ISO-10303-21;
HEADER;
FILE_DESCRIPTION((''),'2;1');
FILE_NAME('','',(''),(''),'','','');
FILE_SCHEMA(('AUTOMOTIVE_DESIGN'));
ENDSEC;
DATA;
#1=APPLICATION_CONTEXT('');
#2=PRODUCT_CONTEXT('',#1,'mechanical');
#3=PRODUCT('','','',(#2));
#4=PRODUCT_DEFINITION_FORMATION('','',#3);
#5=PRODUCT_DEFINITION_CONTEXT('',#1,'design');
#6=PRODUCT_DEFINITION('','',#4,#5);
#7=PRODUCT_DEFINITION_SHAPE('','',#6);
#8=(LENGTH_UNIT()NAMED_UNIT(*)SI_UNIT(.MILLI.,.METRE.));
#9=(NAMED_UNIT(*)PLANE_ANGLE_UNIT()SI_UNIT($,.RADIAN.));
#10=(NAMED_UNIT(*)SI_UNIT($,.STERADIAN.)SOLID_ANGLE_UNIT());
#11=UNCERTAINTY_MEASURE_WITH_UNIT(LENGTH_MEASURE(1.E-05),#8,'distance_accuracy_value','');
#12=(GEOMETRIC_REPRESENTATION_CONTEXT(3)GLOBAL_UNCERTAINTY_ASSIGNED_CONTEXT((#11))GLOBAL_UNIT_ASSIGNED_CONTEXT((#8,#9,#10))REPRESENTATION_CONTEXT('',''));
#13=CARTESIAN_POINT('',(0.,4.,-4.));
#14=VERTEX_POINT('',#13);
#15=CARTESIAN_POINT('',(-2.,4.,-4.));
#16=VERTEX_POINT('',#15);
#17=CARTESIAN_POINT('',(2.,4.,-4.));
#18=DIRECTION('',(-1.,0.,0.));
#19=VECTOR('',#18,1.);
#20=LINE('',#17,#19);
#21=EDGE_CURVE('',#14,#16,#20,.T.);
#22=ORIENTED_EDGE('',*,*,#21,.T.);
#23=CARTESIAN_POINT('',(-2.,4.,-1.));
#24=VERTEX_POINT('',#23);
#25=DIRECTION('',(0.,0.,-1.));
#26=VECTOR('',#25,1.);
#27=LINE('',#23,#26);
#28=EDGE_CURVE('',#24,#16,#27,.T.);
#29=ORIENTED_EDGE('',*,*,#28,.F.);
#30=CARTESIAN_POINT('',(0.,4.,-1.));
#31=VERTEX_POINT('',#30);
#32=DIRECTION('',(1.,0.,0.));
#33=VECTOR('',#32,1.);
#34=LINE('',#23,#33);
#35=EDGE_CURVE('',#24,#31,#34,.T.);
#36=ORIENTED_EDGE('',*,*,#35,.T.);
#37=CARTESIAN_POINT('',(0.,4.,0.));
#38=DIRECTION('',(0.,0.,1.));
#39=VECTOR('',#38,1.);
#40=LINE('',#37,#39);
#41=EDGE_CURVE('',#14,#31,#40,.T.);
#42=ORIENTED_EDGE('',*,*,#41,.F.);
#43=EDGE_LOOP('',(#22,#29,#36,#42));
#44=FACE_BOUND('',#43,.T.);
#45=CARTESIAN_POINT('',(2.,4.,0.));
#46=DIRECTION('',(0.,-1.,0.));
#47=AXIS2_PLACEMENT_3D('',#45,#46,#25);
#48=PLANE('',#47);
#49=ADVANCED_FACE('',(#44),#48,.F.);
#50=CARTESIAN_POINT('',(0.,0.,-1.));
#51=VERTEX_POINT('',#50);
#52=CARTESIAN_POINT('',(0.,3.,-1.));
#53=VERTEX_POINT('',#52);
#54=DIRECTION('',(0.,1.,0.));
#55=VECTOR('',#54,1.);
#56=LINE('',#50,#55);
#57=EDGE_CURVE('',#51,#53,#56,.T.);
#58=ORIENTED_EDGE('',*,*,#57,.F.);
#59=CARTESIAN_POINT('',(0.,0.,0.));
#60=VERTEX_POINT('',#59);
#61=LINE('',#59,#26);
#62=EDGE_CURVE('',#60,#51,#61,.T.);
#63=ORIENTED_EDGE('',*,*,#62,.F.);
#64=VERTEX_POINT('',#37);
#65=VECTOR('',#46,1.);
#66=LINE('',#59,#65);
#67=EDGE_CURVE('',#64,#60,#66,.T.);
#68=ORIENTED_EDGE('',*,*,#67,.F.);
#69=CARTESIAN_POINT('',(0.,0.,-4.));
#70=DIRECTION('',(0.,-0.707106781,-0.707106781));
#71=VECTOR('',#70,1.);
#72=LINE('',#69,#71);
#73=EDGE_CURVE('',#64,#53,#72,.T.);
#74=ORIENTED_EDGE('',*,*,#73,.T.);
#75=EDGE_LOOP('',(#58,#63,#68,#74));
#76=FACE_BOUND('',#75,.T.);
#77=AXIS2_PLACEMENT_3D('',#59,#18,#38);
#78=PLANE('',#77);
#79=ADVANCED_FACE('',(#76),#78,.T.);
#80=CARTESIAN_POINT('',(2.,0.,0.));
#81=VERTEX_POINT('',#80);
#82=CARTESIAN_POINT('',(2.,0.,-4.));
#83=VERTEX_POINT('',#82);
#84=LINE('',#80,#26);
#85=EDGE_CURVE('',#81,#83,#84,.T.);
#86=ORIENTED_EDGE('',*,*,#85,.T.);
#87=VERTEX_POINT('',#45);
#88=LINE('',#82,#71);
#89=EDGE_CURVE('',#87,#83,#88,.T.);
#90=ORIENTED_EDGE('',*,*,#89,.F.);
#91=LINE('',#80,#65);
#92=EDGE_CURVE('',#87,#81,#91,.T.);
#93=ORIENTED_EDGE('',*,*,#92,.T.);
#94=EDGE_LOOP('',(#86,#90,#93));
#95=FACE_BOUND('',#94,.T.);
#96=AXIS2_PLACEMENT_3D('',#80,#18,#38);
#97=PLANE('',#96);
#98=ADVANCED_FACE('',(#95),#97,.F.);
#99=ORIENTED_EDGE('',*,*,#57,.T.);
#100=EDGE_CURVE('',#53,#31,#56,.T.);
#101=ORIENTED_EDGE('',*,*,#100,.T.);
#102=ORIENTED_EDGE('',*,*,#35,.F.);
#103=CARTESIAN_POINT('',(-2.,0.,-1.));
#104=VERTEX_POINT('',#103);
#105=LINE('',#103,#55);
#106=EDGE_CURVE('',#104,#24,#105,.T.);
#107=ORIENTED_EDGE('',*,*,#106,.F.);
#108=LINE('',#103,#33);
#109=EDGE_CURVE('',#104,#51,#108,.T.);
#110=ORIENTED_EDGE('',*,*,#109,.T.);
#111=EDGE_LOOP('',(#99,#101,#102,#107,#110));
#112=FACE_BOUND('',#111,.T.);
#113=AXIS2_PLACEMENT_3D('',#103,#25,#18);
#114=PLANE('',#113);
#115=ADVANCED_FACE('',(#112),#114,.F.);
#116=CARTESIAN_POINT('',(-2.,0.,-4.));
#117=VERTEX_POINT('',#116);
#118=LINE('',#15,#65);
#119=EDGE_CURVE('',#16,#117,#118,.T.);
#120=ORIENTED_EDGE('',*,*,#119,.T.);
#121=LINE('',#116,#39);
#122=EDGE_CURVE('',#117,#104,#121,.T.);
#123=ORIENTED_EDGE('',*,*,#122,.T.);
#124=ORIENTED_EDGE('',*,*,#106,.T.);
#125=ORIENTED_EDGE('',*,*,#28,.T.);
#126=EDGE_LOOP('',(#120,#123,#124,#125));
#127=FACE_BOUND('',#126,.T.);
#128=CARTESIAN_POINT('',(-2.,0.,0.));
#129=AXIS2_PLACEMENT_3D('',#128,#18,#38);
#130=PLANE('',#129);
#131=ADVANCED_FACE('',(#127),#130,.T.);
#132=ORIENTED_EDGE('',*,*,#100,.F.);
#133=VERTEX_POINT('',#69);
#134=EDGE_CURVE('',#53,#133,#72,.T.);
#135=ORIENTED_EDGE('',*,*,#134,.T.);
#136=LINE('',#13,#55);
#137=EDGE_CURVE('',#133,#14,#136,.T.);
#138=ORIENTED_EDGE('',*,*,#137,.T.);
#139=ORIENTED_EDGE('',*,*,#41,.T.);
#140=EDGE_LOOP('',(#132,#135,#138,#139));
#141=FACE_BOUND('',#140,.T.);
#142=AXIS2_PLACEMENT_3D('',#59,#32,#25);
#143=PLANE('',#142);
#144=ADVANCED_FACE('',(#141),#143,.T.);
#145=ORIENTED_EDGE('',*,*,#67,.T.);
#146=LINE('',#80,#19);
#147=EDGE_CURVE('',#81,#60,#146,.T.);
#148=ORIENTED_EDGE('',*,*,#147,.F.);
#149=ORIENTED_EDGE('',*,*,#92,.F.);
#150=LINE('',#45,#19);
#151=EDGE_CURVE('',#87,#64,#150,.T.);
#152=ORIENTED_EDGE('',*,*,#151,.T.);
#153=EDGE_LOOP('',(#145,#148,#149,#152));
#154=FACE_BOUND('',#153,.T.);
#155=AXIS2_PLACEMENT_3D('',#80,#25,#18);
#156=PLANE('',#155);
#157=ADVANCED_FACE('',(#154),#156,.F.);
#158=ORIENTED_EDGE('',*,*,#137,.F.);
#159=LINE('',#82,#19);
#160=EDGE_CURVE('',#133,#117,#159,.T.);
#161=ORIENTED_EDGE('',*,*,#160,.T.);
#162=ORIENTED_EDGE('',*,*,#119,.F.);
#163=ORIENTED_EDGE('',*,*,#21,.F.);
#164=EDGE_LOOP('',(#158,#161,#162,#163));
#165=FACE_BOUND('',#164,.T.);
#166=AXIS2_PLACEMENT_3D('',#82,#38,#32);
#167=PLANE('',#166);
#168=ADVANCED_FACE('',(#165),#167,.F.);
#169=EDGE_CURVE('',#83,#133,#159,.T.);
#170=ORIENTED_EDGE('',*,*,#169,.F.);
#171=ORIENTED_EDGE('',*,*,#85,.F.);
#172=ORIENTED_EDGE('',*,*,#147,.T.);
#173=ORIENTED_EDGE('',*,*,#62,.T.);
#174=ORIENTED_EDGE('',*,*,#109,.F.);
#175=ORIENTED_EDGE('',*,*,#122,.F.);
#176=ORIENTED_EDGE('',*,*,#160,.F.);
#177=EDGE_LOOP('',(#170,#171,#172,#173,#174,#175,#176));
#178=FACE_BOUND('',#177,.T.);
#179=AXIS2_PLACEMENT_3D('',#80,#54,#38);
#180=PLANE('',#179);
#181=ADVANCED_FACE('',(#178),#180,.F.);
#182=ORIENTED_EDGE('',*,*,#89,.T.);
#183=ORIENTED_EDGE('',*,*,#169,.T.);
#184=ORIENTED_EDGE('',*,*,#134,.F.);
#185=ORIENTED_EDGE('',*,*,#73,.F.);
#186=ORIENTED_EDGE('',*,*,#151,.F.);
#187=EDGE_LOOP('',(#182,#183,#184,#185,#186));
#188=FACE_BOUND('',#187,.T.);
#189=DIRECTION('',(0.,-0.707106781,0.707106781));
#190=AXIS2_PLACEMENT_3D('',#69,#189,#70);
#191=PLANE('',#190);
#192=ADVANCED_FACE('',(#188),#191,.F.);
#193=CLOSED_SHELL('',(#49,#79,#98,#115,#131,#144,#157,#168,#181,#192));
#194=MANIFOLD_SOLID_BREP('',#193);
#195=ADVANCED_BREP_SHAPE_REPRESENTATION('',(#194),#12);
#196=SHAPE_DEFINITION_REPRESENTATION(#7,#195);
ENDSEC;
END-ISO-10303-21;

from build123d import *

# Parameters (mm, degrees)
SKETCH1_W           = 4
SKETCH1_H           = 4
BOSS_EXTRUDE1_DEPTH = 2
SKETCH2_W           = 3
SKETCH2_H           = 4
BOSS_EXTRUDE2_DEPTH = 2
CUT_EXTRUDE1_DEPTH  = 2


with BuildPart() as part:
    # Sketch1 → Boss-Extrude1 (new body)
    with BuildSketch(Plane(origin=(0, 0, 0), x_dir=(0, 0, -1), z_dir=(1, 0, 0))):
        with Locations((2, 2)):
            Rectangle(SKETCH1_W, SKETCH1_H)
    extrude(amount=BOSS_EXTRUDE1_DEPTH)

    # Sketch2 → Boss-Extrude2 (add)
    with BuildSketch(Plane.ZY):
        with Locations((-2.5, 2)):
            Rectangle(SKETCH2_W, SKETCH2_H)
    extrude(amount=BOSS_EXTRUDE2_DEPTH)

    # Sketch3 → Cut-Extrude1 (cut)
    with BuildSketch(Plane(origin=(2, 0, 0), x_dir=(0, 0, -1), z_dir=(1, 0, 0))):
        Polygon((4, 0), (0, 4), (4, 4), align=None)
    extrude(amount=-CUT_EXTRUDE1_DEPTH, mode=Mode.SUBTRACT)


solid = part.part
